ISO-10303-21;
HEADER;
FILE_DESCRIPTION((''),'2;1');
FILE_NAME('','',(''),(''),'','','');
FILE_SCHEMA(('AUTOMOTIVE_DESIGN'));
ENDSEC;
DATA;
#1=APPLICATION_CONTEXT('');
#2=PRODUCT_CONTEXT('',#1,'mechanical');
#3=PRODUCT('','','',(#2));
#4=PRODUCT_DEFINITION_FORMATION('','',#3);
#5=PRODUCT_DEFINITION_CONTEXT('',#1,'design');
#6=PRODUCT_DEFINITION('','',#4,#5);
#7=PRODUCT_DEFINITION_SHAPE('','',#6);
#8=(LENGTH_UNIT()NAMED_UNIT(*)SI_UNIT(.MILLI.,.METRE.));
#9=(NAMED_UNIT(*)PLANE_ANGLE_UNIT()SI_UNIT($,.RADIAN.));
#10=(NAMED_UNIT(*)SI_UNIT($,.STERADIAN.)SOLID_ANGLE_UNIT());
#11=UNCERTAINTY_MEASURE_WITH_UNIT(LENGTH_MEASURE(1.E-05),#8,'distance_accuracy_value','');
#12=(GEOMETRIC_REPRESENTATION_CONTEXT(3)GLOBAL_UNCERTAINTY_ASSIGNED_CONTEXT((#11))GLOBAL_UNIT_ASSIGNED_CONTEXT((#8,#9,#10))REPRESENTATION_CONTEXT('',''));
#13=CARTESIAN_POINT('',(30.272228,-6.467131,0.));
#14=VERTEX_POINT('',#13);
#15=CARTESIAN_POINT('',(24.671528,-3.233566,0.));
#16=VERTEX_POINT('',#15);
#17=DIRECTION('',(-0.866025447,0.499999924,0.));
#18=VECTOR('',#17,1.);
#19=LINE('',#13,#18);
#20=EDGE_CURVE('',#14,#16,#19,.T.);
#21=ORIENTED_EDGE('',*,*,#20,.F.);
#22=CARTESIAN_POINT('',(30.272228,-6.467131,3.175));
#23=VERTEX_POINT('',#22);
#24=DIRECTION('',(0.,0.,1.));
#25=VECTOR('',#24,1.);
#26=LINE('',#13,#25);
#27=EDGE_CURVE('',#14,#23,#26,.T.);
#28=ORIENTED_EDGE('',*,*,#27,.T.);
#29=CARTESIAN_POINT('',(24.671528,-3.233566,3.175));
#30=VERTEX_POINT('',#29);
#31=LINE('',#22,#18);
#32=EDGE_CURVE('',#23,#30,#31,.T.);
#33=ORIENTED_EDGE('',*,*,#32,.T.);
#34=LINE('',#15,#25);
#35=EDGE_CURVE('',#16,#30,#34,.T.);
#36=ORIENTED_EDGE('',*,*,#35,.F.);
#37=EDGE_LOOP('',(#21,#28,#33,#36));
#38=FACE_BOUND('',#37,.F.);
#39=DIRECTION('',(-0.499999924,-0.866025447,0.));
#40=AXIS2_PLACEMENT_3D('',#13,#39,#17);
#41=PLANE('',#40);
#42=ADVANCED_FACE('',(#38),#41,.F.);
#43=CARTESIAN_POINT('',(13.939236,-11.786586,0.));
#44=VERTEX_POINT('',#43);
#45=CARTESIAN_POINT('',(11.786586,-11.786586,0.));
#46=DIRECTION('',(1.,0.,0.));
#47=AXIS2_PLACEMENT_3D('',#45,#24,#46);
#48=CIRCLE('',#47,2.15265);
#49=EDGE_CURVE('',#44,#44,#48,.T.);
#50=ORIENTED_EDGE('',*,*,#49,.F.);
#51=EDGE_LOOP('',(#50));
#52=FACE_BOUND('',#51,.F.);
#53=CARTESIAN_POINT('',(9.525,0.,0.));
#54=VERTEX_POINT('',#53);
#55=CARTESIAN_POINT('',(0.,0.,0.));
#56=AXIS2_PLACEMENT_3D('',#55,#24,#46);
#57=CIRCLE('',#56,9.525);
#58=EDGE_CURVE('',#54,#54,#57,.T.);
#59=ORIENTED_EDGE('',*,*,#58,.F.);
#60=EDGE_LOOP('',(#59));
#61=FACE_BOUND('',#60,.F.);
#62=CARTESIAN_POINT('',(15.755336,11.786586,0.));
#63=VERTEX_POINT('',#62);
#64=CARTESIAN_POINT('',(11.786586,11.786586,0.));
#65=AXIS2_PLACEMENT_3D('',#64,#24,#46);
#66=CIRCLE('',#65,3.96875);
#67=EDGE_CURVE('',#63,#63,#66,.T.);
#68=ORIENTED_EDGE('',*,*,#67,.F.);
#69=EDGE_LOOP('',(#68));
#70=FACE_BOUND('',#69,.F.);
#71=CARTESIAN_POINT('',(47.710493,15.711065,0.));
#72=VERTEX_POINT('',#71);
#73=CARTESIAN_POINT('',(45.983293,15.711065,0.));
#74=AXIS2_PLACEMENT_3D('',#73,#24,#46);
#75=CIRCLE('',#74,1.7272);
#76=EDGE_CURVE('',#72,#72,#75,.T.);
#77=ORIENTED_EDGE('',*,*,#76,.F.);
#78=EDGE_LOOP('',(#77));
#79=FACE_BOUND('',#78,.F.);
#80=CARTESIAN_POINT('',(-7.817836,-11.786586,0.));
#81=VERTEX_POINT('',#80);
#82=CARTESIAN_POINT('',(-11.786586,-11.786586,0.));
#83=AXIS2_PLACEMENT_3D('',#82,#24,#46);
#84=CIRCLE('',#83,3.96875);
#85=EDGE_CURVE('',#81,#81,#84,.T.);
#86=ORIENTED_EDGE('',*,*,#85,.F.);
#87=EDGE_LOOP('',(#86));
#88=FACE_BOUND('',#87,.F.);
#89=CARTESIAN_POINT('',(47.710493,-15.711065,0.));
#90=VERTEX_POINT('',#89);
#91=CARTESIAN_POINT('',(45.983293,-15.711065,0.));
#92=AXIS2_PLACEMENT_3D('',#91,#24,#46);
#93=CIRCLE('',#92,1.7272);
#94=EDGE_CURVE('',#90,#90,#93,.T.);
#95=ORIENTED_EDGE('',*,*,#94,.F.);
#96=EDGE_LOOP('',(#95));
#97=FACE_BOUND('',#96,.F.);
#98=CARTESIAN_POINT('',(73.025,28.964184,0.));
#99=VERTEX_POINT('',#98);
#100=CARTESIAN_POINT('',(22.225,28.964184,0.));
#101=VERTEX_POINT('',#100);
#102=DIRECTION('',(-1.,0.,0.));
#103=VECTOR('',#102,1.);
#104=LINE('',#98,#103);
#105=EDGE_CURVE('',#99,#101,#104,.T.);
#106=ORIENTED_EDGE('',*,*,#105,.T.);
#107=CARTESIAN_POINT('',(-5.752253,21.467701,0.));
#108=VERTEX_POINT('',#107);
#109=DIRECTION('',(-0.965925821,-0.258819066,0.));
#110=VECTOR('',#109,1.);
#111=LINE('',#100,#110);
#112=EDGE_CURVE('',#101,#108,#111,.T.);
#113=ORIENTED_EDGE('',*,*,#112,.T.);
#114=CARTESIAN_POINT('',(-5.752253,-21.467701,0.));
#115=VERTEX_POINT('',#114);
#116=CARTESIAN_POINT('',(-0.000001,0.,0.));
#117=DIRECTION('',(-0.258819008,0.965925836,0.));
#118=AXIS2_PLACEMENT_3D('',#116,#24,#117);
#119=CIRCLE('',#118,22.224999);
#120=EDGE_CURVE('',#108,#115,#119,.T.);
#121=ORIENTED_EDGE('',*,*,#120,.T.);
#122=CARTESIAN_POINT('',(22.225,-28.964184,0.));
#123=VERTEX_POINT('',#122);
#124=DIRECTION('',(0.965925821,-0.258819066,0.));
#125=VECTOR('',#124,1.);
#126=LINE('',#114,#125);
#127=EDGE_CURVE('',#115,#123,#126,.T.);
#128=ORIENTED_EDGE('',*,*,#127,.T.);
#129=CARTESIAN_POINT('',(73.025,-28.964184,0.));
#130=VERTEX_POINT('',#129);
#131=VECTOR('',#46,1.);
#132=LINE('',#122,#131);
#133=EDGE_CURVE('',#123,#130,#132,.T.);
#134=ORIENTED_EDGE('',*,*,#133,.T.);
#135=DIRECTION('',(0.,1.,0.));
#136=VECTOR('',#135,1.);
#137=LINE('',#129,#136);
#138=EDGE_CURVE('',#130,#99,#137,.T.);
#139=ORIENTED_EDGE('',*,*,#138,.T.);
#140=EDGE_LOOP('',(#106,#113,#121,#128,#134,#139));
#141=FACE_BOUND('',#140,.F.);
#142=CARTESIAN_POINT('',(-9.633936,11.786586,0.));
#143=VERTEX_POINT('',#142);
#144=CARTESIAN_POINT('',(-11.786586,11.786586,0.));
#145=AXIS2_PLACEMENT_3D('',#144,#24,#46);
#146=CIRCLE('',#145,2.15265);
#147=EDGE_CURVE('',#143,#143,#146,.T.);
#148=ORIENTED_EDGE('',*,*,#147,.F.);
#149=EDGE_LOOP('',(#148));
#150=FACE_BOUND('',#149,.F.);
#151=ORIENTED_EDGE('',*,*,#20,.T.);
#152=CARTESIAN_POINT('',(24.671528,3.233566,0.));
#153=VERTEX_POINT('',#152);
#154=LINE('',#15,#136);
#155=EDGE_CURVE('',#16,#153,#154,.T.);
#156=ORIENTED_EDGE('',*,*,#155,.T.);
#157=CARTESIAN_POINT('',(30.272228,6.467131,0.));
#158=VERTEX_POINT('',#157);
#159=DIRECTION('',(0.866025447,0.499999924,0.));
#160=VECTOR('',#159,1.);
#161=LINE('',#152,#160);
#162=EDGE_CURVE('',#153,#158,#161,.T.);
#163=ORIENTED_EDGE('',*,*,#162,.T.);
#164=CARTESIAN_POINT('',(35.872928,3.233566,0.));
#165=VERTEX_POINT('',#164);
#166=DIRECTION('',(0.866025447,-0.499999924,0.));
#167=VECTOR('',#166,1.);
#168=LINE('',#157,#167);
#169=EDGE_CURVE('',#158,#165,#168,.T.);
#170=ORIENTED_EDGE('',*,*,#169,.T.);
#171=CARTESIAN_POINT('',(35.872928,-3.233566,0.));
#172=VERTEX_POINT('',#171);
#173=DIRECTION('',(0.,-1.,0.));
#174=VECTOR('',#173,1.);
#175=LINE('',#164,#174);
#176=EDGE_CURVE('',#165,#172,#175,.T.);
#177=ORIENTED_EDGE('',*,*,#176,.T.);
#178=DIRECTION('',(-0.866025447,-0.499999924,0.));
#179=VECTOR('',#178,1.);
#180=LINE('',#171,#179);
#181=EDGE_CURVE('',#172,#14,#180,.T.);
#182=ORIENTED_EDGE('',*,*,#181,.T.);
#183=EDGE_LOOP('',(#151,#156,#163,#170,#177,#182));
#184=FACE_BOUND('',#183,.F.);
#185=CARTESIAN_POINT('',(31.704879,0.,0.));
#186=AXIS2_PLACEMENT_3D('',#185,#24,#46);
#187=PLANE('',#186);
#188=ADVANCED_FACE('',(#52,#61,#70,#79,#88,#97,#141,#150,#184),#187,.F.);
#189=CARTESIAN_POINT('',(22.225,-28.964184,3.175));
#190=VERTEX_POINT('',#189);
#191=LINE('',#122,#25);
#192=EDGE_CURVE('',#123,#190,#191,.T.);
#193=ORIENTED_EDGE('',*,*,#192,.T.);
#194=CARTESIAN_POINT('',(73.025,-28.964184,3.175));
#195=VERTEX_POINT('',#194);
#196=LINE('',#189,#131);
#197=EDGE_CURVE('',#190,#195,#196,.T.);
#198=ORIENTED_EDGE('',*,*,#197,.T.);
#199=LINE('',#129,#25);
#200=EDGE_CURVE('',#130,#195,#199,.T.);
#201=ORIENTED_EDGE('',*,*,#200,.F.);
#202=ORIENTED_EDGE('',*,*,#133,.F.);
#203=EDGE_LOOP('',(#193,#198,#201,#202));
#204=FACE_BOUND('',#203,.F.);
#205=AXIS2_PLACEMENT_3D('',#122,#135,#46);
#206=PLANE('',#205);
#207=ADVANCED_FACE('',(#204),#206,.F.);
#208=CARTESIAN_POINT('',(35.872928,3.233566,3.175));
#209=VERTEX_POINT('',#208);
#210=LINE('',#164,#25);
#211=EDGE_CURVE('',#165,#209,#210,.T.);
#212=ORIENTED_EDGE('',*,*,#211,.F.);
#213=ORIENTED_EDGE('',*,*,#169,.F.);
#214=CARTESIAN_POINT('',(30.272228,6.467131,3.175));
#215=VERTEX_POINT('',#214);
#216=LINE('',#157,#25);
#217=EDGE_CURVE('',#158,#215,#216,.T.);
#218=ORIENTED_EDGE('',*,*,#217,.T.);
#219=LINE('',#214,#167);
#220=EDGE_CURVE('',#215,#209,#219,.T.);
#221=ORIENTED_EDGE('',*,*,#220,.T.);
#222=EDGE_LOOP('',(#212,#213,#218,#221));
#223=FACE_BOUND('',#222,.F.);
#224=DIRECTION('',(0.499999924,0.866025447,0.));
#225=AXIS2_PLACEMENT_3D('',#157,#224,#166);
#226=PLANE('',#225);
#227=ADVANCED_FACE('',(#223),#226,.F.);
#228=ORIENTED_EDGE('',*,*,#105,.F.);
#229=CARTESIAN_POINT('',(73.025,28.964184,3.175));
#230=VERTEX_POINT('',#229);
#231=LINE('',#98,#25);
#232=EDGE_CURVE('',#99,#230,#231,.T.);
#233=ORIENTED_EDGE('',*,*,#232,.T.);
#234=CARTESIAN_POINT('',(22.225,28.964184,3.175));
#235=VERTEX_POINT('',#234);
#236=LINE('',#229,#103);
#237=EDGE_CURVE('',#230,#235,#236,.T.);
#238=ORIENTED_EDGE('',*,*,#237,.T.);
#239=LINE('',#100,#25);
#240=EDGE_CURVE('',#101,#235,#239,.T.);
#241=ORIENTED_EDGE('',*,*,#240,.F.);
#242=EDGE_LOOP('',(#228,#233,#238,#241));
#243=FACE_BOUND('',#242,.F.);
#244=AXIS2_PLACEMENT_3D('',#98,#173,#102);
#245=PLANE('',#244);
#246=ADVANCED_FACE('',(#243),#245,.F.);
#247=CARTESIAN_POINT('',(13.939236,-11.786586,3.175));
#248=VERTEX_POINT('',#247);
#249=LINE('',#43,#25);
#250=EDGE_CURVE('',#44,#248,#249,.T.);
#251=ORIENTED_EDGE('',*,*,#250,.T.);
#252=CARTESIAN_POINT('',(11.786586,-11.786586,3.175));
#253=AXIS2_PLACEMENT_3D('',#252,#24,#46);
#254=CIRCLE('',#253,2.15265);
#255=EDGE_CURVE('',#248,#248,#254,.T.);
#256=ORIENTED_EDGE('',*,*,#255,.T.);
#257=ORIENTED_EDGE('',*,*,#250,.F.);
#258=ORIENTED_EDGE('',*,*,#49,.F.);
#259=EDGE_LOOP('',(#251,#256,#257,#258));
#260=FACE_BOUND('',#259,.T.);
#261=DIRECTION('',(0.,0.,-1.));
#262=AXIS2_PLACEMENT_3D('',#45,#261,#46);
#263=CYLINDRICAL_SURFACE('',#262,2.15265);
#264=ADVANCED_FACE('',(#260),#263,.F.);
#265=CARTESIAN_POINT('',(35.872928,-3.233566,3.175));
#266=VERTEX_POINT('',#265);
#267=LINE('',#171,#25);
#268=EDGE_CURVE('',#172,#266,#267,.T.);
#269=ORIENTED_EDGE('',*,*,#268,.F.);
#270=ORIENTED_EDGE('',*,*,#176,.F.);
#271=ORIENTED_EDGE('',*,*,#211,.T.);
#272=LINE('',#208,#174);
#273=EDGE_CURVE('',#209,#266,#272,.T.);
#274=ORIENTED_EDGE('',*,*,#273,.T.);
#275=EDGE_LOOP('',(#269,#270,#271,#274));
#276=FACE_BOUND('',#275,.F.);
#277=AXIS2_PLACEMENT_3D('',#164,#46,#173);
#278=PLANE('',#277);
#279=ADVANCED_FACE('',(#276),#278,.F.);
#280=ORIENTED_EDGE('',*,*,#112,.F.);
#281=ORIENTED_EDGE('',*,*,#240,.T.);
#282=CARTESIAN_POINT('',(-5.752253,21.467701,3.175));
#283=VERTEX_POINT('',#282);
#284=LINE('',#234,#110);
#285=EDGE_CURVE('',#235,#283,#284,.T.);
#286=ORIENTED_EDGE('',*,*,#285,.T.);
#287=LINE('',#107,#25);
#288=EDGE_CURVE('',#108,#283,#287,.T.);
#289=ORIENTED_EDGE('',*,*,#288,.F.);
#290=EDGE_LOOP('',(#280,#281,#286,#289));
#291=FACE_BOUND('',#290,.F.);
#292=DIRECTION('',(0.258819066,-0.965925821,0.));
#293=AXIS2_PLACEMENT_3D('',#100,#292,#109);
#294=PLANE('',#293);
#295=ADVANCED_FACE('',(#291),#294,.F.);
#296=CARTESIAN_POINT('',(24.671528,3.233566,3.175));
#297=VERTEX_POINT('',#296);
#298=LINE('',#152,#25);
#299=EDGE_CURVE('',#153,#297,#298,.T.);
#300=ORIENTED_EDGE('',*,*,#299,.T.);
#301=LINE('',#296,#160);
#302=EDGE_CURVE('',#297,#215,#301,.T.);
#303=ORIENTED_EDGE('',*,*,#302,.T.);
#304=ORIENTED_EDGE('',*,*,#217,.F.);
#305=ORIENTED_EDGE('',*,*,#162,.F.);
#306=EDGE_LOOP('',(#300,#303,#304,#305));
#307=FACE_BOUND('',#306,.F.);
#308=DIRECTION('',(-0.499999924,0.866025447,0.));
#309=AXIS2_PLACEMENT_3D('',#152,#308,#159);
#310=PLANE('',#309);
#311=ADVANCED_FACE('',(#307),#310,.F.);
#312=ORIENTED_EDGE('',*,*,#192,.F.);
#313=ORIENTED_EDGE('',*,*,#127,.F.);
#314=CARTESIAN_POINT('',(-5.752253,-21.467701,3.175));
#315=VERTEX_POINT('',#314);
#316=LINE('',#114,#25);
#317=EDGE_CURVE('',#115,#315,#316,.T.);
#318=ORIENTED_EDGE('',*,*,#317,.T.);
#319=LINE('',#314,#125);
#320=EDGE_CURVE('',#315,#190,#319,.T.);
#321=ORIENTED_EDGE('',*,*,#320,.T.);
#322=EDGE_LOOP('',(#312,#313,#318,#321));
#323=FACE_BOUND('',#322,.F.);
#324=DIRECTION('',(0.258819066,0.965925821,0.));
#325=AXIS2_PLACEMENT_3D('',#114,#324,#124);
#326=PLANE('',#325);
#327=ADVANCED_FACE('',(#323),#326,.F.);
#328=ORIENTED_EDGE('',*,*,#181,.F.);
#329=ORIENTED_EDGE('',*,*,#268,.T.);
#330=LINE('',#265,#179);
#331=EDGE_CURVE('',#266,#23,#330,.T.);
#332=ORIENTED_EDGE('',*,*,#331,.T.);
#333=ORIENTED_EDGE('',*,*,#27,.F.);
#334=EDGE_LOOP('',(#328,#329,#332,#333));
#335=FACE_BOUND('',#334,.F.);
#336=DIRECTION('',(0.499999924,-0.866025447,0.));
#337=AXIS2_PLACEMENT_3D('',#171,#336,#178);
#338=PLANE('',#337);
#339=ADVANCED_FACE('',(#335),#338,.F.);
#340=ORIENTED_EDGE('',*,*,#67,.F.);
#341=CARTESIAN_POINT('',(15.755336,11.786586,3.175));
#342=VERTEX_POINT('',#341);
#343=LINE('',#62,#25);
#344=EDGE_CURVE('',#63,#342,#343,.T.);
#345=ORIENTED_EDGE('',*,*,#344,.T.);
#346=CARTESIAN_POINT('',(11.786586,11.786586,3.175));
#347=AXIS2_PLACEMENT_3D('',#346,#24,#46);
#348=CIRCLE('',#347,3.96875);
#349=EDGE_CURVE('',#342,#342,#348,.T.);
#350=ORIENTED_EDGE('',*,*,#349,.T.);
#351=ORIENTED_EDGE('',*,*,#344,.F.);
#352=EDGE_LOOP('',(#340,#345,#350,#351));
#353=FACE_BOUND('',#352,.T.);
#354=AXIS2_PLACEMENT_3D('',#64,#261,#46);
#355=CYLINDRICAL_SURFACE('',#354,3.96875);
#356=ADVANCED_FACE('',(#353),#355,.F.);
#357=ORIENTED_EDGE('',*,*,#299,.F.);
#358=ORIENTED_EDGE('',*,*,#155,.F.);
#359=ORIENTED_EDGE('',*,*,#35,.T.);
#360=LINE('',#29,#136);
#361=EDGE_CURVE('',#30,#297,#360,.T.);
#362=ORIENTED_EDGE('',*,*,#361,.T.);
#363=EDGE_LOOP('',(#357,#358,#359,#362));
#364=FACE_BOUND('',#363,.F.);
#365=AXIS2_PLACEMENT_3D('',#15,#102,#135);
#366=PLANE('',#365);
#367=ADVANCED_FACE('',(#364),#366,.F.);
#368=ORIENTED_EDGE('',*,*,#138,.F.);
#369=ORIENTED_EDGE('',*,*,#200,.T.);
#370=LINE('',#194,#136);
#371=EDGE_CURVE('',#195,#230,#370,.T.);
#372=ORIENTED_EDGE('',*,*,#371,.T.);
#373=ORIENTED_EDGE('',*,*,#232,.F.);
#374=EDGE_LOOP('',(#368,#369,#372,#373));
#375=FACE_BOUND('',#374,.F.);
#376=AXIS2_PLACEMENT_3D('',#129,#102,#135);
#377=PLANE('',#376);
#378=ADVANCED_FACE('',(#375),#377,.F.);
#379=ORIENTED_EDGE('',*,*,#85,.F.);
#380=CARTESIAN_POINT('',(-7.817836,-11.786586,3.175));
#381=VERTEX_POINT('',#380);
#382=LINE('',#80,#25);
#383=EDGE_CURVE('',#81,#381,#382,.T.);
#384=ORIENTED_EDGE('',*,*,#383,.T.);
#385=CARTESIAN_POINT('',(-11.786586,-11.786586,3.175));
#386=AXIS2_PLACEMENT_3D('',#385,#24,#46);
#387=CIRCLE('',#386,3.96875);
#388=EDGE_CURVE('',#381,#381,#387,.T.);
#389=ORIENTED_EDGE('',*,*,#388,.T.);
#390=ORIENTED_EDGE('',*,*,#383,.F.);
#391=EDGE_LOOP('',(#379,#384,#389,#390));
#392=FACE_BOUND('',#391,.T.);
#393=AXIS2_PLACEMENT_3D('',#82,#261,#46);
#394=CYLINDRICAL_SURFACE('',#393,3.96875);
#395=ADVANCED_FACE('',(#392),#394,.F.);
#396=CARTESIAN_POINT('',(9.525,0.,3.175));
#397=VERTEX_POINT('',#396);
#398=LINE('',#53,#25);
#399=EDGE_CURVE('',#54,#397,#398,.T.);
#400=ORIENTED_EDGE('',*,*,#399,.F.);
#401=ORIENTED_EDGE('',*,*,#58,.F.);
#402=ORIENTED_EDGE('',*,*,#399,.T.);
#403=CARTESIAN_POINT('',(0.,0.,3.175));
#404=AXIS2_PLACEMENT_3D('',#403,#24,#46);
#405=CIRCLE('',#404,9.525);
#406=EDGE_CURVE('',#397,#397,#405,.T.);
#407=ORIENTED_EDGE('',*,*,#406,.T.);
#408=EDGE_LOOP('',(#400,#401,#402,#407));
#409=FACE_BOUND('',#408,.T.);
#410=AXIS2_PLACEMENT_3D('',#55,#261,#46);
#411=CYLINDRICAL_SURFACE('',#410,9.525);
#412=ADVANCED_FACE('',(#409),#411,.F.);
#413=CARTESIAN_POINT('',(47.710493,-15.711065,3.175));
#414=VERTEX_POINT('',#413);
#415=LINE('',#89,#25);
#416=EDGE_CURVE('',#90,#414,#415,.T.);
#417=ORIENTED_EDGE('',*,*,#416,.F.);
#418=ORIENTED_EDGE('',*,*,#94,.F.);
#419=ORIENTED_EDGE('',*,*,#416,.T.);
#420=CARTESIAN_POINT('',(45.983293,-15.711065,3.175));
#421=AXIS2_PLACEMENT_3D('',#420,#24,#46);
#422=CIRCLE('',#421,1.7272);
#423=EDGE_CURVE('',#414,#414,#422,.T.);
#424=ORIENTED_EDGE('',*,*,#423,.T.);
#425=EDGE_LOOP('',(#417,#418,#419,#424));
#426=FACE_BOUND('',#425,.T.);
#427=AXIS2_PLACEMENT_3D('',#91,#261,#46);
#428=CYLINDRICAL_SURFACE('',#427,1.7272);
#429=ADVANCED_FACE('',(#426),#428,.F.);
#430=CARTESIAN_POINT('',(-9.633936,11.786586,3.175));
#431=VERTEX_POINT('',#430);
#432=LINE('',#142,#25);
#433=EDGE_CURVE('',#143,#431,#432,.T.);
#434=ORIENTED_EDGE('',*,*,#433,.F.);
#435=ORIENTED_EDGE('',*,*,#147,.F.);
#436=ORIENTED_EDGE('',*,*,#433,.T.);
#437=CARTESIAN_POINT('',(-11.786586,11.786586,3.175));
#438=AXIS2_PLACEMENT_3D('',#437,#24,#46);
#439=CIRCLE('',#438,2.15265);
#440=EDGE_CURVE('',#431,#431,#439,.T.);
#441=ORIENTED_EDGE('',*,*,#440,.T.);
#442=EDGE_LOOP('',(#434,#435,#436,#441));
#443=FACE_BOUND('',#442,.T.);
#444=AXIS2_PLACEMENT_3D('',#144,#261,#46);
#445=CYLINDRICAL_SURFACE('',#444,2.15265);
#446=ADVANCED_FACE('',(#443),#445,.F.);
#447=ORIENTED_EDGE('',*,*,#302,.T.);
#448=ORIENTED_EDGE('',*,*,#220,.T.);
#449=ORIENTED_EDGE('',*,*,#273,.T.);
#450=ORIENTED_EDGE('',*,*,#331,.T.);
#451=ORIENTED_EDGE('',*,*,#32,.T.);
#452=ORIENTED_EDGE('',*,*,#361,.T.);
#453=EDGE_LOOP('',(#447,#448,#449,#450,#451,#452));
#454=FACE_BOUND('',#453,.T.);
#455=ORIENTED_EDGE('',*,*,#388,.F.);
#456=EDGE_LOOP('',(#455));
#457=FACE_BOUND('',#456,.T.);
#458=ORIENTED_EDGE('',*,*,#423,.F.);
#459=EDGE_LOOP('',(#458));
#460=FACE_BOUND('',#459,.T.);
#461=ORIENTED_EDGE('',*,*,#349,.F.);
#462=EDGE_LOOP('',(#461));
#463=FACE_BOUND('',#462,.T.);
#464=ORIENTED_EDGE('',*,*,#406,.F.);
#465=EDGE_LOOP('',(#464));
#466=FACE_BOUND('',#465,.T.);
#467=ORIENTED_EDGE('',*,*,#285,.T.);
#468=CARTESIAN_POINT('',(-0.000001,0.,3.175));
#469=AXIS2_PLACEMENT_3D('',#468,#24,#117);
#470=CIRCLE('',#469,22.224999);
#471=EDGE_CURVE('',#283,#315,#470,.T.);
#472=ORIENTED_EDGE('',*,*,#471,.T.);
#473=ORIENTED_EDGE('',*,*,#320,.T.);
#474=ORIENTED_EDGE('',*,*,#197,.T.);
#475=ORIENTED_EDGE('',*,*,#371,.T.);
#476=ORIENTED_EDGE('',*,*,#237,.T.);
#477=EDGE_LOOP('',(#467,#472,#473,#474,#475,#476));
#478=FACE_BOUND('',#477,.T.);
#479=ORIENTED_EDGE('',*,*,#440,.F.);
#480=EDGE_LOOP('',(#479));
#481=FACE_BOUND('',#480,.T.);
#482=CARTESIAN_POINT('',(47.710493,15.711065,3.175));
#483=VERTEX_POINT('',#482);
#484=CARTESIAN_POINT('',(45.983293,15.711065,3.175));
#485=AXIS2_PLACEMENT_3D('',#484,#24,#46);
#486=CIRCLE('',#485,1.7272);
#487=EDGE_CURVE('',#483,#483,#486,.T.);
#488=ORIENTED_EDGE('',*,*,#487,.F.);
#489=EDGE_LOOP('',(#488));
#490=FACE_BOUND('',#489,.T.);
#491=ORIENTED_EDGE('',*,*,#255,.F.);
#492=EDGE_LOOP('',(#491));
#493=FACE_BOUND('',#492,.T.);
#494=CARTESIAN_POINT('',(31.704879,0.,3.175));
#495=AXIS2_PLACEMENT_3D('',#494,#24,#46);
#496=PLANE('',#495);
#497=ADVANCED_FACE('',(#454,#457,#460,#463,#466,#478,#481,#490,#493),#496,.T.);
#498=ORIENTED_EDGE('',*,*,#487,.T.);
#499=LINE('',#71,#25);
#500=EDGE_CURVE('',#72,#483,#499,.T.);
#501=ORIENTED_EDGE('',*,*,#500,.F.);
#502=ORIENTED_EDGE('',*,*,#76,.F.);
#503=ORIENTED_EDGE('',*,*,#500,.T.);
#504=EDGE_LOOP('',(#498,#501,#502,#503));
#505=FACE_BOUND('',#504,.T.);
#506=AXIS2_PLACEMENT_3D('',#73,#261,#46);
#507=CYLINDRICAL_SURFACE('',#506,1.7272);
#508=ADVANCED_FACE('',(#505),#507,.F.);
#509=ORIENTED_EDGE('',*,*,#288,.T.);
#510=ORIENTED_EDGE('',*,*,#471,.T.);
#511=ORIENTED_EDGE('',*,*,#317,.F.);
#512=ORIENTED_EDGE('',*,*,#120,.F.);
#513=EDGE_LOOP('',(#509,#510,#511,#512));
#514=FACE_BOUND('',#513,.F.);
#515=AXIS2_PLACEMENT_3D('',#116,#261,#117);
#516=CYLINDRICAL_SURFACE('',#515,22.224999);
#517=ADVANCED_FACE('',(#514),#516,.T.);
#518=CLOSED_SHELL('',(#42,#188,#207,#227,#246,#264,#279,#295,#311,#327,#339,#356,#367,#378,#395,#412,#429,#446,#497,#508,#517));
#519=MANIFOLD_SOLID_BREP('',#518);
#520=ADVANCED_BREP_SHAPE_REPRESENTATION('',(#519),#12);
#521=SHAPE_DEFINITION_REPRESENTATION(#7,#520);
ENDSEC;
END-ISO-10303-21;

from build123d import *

# Parameters (mm, degrees)
F0_R     = 3.96875
F0_R_2   = 9.525
F0_R_3   = 2.15265
F0_R_4   = 1.7272
F1_DEPTH = 3.175


with BuildPart() as f1:
    # F0 (on Top) → F1 (new body)
    with BuildSketch(Plane.XY):
        with BuildLine():
            Line((73.025, 28.964184), (22.225, 28.964184))
            Line((22.225, 28.964184), (-5.752253, 21.467701))
            ThreePointArc((-5.752253, 21.467701), (-22.225, 0), (-5.752253, -21.467701))
            Line((-5.752253, -21.467701), (22.225, -28.964184))
            Line((22.225, -28.964184), (73.025, -28.964184))
            Line((73.025, -28.964184), (73.025, 28.964184))
        make_face()
        with Locations((-11.786586, -11.786586)):
            Circle(F0_R, mode=Mode.SUBTRACT)
        Circle(F0_R_2, mode=Mode.SUBTRACT)
        with Locations((11.786586, -11.786586)):
            Circle(F0_R_3, mode=Mode.SUBTRACT)
        with Locations((45.983293, -15.711065)):
            Circle(F0_R_4, mode=Mode.SUBTRACT)
        Polygon((30.272228, 6.467131), (35.872928, 3.233566), (35.872928, -3.233566), (30.272228, -6.467131), (24.671528, -3.233566), (24.671528, 3.233566), align=None, mode=Mode.SUBTRACT)
        with Locations((-11.786586, 11.786586)):
            Circle(F0_R_3, mode=Mode.SUBTRACT)
        with Locations((11.786586, 11.786586)):
            Circle(F0_R, mode=Mode.SUBTRACT)
        with Locations((45.983293, 15.711065)):
            Circle(F0_R_4, mode=Mode.SUBTRACT)
    extrude(amount=F1_DEPTH)


solid = f1.part
